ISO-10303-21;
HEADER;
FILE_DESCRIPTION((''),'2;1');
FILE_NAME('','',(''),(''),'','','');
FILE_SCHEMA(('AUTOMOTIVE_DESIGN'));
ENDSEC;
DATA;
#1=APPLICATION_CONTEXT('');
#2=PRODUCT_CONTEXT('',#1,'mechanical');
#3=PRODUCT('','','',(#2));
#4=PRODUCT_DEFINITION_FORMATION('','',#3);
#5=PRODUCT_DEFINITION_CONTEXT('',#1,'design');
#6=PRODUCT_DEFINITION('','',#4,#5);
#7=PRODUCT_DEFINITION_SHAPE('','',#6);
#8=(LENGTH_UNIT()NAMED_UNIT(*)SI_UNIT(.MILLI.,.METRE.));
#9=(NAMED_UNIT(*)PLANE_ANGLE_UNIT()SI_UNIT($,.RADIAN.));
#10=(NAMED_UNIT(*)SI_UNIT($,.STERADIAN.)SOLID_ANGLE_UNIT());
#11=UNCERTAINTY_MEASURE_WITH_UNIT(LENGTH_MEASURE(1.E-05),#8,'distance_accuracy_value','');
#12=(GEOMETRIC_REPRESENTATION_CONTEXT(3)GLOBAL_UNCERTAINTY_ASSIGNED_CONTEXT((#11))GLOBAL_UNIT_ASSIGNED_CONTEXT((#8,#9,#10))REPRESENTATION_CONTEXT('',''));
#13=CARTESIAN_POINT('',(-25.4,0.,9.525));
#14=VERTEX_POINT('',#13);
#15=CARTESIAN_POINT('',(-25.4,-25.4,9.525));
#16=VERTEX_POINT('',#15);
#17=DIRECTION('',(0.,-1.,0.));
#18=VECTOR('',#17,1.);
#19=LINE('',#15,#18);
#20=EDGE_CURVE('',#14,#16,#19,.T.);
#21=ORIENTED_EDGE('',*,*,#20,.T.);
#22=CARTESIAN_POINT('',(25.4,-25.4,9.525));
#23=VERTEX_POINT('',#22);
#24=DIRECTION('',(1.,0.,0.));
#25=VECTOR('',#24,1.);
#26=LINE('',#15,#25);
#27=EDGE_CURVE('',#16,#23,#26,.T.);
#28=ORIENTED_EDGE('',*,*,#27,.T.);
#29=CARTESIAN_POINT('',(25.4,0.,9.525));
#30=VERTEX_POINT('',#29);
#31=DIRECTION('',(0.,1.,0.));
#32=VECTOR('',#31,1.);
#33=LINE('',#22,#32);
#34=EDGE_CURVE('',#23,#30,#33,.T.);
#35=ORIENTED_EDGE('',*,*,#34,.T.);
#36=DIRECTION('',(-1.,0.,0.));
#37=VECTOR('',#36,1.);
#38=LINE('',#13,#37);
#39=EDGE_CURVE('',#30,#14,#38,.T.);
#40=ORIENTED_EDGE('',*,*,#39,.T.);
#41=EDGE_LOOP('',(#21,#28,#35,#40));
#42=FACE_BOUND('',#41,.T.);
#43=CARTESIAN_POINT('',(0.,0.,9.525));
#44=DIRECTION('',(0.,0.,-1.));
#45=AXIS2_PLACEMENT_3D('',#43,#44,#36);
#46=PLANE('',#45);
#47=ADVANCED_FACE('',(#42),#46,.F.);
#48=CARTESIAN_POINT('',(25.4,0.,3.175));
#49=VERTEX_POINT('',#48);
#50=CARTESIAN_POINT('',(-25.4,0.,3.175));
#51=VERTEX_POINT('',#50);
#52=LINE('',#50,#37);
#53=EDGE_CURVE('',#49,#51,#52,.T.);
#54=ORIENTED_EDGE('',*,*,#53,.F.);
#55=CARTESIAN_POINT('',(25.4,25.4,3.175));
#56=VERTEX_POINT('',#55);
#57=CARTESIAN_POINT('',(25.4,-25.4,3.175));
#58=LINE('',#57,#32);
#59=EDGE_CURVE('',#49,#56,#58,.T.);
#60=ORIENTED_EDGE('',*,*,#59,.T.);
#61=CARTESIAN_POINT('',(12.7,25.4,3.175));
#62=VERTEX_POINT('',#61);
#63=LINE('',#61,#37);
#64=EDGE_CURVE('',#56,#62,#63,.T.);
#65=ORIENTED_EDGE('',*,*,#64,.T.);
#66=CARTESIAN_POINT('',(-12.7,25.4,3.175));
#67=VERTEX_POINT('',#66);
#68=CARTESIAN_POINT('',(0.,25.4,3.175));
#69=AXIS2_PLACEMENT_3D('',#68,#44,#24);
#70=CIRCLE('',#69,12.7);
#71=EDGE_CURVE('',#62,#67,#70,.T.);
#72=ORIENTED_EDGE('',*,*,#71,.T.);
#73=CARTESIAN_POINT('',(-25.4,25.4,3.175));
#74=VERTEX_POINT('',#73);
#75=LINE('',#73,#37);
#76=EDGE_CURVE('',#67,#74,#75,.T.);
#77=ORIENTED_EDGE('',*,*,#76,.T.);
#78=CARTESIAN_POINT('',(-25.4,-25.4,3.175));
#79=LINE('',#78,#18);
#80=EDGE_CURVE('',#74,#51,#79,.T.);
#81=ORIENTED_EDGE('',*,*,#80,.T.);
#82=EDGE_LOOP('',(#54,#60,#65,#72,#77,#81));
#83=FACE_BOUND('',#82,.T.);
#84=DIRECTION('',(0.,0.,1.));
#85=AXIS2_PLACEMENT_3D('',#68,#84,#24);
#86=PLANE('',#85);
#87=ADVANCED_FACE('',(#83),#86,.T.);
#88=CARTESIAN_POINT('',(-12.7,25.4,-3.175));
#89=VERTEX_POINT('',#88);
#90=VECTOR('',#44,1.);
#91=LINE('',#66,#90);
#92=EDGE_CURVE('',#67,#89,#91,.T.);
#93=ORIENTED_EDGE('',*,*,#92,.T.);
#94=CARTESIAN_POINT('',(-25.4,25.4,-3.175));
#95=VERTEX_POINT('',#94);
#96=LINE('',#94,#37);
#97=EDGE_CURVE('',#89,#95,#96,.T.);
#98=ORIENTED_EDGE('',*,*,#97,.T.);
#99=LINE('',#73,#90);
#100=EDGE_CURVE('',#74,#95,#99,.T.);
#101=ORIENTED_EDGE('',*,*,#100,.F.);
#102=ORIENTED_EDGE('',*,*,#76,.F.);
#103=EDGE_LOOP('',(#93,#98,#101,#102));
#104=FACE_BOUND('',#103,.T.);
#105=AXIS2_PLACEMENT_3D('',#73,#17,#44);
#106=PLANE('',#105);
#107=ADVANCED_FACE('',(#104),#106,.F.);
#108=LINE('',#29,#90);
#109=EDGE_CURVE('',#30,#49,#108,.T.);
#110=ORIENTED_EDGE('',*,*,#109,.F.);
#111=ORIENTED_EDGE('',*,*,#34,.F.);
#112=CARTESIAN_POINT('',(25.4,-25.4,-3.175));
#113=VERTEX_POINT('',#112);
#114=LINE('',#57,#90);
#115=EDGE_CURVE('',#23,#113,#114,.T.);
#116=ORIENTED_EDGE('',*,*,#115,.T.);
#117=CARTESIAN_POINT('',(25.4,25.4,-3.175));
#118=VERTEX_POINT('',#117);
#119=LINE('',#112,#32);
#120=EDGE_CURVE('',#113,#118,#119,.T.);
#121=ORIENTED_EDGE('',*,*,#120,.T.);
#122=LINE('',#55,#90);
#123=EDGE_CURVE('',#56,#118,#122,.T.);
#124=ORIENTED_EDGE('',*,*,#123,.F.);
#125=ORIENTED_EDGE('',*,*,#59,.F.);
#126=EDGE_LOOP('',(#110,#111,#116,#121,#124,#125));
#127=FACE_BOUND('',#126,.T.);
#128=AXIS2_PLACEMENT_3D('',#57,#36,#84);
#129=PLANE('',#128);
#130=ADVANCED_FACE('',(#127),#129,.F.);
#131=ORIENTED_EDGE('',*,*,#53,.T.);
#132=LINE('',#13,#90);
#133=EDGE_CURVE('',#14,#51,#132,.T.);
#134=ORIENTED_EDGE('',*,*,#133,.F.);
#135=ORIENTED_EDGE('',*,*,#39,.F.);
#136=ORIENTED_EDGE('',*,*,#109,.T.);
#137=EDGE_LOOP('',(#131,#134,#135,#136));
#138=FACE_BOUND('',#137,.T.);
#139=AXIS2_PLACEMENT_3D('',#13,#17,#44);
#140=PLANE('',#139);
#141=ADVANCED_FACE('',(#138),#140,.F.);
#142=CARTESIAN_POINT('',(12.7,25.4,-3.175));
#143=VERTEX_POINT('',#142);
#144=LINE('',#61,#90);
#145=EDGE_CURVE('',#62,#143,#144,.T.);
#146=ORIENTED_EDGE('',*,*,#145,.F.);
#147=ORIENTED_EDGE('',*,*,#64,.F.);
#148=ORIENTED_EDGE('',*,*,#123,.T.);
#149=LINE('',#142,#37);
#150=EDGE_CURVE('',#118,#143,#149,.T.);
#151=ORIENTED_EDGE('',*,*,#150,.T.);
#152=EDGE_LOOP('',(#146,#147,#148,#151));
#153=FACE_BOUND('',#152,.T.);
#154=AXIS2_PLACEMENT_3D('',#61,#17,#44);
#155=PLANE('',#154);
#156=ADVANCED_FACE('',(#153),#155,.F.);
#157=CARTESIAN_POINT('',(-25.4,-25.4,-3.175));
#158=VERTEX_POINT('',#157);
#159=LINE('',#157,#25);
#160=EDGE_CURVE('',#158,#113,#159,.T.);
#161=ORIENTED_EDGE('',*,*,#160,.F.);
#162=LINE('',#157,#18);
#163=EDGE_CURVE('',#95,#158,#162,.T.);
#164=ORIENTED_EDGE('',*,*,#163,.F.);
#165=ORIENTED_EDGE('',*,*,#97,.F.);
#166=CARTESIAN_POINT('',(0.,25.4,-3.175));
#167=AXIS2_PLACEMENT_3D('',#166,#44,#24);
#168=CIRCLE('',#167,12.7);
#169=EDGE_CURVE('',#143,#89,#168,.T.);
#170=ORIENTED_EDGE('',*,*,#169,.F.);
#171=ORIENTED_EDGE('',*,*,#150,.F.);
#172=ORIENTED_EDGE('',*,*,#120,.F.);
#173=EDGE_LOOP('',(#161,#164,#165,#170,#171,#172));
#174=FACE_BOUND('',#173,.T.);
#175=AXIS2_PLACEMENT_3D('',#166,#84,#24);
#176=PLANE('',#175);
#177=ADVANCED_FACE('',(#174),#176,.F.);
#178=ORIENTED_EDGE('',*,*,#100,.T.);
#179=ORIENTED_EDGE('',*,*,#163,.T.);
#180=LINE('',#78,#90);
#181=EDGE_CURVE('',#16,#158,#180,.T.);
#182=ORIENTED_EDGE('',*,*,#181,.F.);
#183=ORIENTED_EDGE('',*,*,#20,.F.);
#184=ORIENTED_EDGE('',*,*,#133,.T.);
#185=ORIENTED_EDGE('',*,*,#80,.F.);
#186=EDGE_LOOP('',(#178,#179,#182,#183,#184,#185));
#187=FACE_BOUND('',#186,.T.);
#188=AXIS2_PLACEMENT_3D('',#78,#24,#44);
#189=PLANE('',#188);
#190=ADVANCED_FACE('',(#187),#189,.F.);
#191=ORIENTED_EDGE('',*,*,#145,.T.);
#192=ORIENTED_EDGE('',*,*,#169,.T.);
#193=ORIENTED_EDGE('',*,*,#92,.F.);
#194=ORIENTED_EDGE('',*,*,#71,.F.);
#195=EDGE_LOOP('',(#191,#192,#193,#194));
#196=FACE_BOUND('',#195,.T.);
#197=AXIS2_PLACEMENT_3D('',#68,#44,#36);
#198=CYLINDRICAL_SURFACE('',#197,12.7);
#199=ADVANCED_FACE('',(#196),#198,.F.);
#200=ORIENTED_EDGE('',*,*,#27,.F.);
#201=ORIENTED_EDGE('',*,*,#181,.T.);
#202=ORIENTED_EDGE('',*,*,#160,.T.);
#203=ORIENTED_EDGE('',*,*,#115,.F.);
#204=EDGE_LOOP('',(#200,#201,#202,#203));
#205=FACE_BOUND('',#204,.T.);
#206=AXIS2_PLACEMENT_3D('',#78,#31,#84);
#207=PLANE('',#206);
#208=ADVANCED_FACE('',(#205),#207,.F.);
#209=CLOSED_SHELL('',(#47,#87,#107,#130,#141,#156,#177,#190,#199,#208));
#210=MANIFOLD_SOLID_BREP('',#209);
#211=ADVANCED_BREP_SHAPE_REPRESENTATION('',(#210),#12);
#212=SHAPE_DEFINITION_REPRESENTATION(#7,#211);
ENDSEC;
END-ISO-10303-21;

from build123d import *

# Parameters (mm, degrees)
BOSS_EXTRUDE1_DEPTH = 3.175
SKETCH2_W           = 50.8
SKETCH2_H           = 25.4
BOSS_EXTRUDE2_DEPTH = 6.35


with BuildPart() as part:
    # Sketch1 → Boss-Extrude1 (new, symmetric)
    with BuildSketch(Plane.XY):
        with BuildLine():
            Line((12.7, 25.4), (25.4, 25.4))
            Line((25.4, 25.4), (25.4, -25.4))
            Line((25.4, -25.4), (-25.4, -25.4))
            Line((-25.4, -25.4), (-25.4, 25.4))
            Line((-25.4, 25.4), (-12.7, 25.4))
            ThreePointArc((-12.7, 25.4), (0, 12.7), (12.7, 25.4))
        make_face()
    extrude(amount=BOSS_EXTRUDE1_DEPTH, both=True)

    # Sketch2 → Boss-Extrude2 (add)
    with BuildSketch(Plane.XY.offset(3.175)):
        with Locations((0, -12.7)):
            Rectangle(SKETCH2_W, SKETCH2_H)
    extrude(amount=BOSS_EXTRUDE2_DEPTH)


solid = part.part
